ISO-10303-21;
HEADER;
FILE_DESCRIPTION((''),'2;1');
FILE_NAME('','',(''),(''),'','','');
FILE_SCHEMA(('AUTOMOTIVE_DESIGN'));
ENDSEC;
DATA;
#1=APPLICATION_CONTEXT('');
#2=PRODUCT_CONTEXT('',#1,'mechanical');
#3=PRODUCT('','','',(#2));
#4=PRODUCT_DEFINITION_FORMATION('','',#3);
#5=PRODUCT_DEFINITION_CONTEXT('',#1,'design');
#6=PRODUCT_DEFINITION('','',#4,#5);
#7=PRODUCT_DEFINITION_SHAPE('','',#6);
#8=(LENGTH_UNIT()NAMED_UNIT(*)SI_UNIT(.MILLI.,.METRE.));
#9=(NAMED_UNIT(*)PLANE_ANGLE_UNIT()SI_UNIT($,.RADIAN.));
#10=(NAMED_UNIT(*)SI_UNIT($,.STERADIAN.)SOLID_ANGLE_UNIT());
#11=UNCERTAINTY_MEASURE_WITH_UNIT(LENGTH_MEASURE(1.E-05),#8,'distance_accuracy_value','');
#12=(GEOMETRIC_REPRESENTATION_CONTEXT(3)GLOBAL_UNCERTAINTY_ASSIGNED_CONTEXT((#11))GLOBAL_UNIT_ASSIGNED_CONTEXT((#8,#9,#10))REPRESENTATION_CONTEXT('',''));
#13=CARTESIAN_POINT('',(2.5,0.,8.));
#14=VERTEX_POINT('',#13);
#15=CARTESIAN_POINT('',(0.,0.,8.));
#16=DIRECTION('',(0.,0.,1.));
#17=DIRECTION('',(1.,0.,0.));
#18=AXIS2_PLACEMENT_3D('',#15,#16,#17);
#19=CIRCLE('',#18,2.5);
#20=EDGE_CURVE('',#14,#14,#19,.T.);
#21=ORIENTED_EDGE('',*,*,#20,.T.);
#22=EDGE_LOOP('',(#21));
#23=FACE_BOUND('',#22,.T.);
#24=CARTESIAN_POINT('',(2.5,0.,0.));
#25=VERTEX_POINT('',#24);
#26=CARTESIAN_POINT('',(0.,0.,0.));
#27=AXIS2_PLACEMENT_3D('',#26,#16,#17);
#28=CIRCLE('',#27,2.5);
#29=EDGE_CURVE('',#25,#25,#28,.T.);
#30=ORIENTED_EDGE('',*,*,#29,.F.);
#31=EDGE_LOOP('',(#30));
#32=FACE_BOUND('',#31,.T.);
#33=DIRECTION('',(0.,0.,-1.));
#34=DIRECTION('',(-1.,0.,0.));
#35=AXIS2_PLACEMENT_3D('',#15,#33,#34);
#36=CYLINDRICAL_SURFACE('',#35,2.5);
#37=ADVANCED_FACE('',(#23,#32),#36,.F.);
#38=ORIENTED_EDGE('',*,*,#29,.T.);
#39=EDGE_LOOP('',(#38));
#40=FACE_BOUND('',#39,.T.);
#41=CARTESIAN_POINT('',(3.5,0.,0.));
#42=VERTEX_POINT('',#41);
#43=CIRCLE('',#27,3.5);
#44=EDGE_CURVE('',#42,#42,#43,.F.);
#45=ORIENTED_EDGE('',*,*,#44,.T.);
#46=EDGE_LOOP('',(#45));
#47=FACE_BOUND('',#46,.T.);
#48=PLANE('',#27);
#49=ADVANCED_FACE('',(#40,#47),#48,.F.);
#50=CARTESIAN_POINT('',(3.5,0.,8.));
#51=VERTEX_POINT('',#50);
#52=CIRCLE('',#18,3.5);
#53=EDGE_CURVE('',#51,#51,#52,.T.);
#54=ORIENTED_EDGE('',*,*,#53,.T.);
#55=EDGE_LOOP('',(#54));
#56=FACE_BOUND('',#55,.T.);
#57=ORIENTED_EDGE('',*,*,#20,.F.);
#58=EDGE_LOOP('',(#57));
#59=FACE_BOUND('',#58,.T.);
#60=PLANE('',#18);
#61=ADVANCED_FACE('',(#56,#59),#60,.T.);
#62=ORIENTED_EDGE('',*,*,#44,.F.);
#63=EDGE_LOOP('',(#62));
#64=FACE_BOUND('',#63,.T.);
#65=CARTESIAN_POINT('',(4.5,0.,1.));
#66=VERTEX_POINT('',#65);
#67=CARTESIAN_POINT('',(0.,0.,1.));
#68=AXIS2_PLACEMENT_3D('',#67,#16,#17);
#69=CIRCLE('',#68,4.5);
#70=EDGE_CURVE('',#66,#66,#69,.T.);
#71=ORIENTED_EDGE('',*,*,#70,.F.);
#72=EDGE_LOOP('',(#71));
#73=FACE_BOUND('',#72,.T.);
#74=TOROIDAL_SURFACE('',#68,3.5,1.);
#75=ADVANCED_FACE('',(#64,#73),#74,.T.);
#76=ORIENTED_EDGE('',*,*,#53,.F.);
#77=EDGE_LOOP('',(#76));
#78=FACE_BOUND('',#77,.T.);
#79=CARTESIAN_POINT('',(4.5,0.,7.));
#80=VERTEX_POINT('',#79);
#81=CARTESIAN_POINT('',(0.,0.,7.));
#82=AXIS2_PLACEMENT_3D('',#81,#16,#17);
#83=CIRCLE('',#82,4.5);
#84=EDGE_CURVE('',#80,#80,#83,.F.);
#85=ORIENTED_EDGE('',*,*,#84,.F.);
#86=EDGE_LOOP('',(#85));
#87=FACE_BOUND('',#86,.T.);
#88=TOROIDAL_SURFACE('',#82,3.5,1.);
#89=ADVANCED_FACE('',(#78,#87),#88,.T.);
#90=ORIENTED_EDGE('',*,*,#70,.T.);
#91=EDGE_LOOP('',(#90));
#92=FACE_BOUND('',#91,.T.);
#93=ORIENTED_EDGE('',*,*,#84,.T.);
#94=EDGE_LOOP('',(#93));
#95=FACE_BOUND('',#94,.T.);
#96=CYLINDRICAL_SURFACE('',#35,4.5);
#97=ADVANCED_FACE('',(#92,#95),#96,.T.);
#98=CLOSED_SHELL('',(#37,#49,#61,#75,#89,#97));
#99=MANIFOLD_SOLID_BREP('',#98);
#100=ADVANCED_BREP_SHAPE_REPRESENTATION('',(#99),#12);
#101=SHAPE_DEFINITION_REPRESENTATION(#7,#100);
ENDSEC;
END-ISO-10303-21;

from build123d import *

# Parameters (mm, degrees)
SKETCH1_R           = 4.5
SKETCH1_R_2         = 2.5
BOSS_EXTRUDE1_DEPTH = 8
FILLET1_R           = 1


with BuildPart() as part:
    # Sketch1 → Boss-Extrude1 (new body)
    with BuildSketch(Plane.XY):
        Circle(SKETCH1_R)
        Circle(SKETCH1_R_2, mode=Mode.SUBTRACT)
    extrude(amount=BOSS_EXTRUDE1_DEPTH)

    # Fillet1
    fillet1_edges = [part.edges().sort_by_distance(p)[0] for p in [
        (-4.5, 0, 0),
        (-4.5, 0, 8),
    ]]
    fillet(fillet1_edges, radius=FILLET1_R)


solid = part.part
